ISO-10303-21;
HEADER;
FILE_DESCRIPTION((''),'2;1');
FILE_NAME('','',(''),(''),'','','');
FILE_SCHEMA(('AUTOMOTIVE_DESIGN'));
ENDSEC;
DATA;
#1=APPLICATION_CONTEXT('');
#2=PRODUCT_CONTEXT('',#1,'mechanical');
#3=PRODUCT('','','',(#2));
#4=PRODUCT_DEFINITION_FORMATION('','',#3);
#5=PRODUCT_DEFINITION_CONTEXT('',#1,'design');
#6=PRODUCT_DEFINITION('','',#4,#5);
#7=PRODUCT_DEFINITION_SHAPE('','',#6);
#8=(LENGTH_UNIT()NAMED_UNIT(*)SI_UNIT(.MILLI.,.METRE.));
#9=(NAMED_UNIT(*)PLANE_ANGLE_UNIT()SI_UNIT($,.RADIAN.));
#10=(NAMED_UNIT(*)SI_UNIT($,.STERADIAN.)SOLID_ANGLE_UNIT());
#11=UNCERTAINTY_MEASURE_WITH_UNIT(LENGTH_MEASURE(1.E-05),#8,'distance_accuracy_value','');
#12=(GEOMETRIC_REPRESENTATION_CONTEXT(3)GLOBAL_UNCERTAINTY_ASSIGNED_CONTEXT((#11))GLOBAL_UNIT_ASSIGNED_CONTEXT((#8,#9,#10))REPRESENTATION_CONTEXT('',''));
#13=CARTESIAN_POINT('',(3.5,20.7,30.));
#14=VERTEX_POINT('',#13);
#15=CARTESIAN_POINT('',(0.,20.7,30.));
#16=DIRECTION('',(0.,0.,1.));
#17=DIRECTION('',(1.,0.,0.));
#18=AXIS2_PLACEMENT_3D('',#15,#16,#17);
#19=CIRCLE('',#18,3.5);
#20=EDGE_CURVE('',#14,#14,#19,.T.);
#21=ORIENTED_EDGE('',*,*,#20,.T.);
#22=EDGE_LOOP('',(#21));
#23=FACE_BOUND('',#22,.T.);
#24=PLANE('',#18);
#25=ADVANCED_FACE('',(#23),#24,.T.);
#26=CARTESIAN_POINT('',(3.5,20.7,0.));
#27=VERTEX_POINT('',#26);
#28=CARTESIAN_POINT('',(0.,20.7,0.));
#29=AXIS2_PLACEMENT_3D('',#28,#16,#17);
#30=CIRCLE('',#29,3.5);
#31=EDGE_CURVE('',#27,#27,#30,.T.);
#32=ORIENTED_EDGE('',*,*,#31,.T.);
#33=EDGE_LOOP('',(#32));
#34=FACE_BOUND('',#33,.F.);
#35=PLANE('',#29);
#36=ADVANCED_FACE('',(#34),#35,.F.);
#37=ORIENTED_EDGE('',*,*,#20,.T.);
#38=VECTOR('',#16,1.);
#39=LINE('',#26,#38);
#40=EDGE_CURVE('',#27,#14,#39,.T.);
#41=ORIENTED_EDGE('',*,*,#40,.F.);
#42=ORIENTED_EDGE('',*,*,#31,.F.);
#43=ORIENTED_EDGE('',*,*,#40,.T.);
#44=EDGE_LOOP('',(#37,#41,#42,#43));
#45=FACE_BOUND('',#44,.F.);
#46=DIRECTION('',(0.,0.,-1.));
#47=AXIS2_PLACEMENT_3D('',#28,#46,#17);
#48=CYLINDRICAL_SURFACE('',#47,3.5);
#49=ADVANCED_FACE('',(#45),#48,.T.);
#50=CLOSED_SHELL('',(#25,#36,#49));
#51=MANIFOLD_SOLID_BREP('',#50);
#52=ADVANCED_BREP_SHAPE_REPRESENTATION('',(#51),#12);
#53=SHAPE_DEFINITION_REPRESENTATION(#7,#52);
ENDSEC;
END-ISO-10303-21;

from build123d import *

# Parameters (mm, degrees)
SKETCH1_R           = 3.5
BOSS_EXTRUDE1_DEPTH = 30


with BuildPart() as part:
    # Sketch1 → Boss-Extrude1 (new body)
    with BuildSketch(Plane.XY):
        with Locations((0, 20.7)):
            Circle(SKETCH1_R)
    extrude(amount=BOSS_EXTRUDE1_DEPTH)


solid = part.part
